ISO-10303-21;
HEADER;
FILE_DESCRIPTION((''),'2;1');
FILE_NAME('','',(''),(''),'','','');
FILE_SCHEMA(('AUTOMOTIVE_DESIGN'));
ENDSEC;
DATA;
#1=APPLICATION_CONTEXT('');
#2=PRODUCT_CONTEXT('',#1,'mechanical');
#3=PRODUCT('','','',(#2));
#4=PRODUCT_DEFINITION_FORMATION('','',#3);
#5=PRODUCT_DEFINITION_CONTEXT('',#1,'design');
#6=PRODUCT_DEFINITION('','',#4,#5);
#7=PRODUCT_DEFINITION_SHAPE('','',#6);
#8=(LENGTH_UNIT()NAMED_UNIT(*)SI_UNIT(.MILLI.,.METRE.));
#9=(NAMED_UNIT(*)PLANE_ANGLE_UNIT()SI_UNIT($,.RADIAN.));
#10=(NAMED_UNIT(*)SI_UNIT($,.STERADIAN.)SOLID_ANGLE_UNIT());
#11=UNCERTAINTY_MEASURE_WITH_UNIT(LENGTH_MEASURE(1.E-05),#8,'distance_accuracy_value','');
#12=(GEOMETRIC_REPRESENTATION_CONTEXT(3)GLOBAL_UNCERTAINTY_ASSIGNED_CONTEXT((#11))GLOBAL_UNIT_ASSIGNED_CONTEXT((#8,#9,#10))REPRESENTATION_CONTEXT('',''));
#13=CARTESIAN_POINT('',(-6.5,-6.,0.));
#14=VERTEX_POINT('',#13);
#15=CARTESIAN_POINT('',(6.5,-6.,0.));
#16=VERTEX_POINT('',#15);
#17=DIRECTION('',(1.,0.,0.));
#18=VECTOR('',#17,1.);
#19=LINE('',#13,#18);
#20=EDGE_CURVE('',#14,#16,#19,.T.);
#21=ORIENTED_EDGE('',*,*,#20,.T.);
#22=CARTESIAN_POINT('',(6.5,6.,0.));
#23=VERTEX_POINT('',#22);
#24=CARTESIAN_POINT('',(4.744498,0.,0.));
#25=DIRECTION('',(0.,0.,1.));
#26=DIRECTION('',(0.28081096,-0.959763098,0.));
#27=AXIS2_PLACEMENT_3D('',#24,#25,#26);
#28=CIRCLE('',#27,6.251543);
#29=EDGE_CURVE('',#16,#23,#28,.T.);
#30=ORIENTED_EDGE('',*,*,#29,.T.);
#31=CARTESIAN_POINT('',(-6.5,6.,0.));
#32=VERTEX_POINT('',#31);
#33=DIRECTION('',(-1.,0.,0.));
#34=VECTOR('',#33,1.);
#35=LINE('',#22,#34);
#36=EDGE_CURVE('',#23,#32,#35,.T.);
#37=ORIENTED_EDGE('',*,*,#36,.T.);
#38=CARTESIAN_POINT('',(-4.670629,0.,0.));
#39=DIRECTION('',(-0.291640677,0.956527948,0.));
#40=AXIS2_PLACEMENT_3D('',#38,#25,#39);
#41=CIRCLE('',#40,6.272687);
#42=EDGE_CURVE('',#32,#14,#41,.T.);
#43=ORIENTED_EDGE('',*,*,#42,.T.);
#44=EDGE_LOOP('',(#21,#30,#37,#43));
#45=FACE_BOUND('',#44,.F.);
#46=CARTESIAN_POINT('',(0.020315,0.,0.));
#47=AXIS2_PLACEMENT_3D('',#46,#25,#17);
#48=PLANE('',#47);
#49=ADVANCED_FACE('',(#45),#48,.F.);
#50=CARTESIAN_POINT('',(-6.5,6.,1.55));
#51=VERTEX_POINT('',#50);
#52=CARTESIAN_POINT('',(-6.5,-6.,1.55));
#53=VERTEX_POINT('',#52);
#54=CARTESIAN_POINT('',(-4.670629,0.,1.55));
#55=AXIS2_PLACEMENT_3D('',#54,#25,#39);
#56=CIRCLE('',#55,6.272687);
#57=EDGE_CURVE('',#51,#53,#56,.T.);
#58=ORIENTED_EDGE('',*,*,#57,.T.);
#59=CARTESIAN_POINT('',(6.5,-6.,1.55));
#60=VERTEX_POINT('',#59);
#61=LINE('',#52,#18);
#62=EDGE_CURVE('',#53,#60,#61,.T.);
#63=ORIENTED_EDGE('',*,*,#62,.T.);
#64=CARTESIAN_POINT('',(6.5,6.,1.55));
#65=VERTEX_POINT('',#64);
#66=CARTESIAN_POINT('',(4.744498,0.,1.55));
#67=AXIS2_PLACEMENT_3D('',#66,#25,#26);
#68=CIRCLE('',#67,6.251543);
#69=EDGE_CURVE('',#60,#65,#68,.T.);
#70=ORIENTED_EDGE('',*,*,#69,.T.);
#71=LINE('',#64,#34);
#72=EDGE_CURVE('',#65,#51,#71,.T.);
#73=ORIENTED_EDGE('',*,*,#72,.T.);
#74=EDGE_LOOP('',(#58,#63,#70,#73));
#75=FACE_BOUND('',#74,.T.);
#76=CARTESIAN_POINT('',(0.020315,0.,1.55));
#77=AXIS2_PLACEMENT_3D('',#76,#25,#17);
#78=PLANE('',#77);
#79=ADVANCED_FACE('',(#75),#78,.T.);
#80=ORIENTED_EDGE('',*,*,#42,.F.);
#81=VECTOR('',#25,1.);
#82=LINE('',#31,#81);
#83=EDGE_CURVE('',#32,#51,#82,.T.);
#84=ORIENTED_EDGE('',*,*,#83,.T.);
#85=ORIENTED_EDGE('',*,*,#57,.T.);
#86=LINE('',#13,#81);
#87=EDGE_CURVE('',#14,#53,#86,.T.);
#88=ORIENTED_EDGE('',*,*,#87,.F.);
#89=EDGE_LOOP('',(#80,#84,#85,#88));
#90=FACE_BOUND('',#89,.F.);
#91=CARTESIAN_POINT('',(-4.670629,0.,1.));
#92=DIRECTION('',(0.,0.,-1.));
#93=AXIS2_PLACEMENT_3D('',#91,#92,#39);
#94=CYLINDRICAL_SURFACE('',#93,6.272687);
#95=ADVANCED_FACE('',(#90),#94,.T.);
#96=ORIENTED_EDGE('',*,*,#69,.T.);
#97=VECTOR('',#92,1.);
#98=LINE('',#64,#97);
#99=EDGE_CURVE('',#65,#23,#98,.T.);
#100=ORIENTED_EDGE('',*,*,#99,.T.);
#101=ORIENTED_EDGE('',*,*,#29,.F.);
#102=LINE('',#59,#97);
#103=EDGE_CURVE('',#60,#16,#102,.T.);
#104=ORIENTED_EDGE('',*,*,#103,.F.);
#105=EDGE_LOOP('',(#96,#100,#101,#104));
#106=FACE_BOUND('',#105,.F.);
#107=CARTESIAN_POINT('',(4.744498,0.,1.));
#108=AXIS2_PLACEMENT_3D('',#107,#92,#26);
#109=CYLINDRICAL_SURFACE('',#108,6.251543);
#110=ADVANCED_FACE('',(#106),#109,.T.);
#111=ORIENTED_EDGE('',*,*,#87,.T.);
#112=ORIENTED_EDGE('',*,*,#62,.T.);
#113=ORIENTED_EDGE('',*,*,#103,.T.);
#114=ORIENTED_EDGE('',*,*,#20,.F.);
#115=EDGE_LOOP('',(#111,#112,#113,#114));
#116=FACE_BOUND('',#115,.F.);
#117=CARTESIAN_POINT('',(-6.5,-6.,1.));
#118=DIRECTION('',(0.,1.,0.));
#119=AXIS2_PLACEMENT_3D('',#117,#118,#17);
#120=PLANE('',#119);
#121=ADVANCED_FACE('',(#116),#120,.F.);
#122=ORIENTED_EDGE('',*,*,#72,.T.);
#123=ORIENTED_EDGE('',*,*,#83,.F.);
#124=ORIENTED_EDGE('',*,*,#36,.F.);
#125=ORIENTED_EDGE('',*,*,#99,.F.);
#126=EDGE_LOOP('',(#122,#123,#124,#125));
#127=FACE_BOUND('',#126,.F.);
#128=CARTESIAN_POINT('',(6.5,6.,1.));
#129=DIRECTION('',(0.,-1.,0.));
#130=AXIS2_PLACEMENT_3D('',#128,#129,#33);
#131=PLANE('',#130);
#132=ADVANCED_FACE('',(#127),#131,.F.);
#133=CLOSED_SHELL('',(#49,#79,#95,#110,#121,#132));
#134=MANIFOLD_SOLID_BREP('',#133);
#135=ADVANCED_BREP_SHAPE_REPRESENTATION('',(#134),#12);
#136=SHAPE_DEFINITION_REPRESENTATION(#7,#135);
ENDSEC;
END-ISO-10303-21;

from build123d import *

# Parameters (mm, degrees)
F1_DEPTH = 1
F3_DEPTH = 0.55


with BuildPart() as f1:
    # F0 (on Top) → F1 (new body)
    with BuildSketch(Plane.XY):
        with BuildLine():
            Line((-6.5, -6), (6.5, -6))
            ThreePointArc((6.5, -6), (10.996041, 0), (6.5, 6))
            Line((6.5, 6), (-6.5, 6))
            ThreePointArc((-6.5, 6), (-10.943316, 0), (-6.5, -6))
        make_face()
    extrude(amount=F1_DEPTH)

    # F2 (on face) → F3 (join)
    with BuildSketch(Plane.XY.offset(1)):
        with BuildLine():
            Line((6.5, 6), (-6.5, 6))
            ThreePointArc((-6.5, 6), (-10.943316, 0), (-6.5, -6))
            Line((-6.5, -6), (6.5, -6))
            ThreePointArc((6.5, -6), (10.996041, 0), (6.5, 6))
        make_face()
    extrude(amount=F3_DEPTH)


solid = f1.part
